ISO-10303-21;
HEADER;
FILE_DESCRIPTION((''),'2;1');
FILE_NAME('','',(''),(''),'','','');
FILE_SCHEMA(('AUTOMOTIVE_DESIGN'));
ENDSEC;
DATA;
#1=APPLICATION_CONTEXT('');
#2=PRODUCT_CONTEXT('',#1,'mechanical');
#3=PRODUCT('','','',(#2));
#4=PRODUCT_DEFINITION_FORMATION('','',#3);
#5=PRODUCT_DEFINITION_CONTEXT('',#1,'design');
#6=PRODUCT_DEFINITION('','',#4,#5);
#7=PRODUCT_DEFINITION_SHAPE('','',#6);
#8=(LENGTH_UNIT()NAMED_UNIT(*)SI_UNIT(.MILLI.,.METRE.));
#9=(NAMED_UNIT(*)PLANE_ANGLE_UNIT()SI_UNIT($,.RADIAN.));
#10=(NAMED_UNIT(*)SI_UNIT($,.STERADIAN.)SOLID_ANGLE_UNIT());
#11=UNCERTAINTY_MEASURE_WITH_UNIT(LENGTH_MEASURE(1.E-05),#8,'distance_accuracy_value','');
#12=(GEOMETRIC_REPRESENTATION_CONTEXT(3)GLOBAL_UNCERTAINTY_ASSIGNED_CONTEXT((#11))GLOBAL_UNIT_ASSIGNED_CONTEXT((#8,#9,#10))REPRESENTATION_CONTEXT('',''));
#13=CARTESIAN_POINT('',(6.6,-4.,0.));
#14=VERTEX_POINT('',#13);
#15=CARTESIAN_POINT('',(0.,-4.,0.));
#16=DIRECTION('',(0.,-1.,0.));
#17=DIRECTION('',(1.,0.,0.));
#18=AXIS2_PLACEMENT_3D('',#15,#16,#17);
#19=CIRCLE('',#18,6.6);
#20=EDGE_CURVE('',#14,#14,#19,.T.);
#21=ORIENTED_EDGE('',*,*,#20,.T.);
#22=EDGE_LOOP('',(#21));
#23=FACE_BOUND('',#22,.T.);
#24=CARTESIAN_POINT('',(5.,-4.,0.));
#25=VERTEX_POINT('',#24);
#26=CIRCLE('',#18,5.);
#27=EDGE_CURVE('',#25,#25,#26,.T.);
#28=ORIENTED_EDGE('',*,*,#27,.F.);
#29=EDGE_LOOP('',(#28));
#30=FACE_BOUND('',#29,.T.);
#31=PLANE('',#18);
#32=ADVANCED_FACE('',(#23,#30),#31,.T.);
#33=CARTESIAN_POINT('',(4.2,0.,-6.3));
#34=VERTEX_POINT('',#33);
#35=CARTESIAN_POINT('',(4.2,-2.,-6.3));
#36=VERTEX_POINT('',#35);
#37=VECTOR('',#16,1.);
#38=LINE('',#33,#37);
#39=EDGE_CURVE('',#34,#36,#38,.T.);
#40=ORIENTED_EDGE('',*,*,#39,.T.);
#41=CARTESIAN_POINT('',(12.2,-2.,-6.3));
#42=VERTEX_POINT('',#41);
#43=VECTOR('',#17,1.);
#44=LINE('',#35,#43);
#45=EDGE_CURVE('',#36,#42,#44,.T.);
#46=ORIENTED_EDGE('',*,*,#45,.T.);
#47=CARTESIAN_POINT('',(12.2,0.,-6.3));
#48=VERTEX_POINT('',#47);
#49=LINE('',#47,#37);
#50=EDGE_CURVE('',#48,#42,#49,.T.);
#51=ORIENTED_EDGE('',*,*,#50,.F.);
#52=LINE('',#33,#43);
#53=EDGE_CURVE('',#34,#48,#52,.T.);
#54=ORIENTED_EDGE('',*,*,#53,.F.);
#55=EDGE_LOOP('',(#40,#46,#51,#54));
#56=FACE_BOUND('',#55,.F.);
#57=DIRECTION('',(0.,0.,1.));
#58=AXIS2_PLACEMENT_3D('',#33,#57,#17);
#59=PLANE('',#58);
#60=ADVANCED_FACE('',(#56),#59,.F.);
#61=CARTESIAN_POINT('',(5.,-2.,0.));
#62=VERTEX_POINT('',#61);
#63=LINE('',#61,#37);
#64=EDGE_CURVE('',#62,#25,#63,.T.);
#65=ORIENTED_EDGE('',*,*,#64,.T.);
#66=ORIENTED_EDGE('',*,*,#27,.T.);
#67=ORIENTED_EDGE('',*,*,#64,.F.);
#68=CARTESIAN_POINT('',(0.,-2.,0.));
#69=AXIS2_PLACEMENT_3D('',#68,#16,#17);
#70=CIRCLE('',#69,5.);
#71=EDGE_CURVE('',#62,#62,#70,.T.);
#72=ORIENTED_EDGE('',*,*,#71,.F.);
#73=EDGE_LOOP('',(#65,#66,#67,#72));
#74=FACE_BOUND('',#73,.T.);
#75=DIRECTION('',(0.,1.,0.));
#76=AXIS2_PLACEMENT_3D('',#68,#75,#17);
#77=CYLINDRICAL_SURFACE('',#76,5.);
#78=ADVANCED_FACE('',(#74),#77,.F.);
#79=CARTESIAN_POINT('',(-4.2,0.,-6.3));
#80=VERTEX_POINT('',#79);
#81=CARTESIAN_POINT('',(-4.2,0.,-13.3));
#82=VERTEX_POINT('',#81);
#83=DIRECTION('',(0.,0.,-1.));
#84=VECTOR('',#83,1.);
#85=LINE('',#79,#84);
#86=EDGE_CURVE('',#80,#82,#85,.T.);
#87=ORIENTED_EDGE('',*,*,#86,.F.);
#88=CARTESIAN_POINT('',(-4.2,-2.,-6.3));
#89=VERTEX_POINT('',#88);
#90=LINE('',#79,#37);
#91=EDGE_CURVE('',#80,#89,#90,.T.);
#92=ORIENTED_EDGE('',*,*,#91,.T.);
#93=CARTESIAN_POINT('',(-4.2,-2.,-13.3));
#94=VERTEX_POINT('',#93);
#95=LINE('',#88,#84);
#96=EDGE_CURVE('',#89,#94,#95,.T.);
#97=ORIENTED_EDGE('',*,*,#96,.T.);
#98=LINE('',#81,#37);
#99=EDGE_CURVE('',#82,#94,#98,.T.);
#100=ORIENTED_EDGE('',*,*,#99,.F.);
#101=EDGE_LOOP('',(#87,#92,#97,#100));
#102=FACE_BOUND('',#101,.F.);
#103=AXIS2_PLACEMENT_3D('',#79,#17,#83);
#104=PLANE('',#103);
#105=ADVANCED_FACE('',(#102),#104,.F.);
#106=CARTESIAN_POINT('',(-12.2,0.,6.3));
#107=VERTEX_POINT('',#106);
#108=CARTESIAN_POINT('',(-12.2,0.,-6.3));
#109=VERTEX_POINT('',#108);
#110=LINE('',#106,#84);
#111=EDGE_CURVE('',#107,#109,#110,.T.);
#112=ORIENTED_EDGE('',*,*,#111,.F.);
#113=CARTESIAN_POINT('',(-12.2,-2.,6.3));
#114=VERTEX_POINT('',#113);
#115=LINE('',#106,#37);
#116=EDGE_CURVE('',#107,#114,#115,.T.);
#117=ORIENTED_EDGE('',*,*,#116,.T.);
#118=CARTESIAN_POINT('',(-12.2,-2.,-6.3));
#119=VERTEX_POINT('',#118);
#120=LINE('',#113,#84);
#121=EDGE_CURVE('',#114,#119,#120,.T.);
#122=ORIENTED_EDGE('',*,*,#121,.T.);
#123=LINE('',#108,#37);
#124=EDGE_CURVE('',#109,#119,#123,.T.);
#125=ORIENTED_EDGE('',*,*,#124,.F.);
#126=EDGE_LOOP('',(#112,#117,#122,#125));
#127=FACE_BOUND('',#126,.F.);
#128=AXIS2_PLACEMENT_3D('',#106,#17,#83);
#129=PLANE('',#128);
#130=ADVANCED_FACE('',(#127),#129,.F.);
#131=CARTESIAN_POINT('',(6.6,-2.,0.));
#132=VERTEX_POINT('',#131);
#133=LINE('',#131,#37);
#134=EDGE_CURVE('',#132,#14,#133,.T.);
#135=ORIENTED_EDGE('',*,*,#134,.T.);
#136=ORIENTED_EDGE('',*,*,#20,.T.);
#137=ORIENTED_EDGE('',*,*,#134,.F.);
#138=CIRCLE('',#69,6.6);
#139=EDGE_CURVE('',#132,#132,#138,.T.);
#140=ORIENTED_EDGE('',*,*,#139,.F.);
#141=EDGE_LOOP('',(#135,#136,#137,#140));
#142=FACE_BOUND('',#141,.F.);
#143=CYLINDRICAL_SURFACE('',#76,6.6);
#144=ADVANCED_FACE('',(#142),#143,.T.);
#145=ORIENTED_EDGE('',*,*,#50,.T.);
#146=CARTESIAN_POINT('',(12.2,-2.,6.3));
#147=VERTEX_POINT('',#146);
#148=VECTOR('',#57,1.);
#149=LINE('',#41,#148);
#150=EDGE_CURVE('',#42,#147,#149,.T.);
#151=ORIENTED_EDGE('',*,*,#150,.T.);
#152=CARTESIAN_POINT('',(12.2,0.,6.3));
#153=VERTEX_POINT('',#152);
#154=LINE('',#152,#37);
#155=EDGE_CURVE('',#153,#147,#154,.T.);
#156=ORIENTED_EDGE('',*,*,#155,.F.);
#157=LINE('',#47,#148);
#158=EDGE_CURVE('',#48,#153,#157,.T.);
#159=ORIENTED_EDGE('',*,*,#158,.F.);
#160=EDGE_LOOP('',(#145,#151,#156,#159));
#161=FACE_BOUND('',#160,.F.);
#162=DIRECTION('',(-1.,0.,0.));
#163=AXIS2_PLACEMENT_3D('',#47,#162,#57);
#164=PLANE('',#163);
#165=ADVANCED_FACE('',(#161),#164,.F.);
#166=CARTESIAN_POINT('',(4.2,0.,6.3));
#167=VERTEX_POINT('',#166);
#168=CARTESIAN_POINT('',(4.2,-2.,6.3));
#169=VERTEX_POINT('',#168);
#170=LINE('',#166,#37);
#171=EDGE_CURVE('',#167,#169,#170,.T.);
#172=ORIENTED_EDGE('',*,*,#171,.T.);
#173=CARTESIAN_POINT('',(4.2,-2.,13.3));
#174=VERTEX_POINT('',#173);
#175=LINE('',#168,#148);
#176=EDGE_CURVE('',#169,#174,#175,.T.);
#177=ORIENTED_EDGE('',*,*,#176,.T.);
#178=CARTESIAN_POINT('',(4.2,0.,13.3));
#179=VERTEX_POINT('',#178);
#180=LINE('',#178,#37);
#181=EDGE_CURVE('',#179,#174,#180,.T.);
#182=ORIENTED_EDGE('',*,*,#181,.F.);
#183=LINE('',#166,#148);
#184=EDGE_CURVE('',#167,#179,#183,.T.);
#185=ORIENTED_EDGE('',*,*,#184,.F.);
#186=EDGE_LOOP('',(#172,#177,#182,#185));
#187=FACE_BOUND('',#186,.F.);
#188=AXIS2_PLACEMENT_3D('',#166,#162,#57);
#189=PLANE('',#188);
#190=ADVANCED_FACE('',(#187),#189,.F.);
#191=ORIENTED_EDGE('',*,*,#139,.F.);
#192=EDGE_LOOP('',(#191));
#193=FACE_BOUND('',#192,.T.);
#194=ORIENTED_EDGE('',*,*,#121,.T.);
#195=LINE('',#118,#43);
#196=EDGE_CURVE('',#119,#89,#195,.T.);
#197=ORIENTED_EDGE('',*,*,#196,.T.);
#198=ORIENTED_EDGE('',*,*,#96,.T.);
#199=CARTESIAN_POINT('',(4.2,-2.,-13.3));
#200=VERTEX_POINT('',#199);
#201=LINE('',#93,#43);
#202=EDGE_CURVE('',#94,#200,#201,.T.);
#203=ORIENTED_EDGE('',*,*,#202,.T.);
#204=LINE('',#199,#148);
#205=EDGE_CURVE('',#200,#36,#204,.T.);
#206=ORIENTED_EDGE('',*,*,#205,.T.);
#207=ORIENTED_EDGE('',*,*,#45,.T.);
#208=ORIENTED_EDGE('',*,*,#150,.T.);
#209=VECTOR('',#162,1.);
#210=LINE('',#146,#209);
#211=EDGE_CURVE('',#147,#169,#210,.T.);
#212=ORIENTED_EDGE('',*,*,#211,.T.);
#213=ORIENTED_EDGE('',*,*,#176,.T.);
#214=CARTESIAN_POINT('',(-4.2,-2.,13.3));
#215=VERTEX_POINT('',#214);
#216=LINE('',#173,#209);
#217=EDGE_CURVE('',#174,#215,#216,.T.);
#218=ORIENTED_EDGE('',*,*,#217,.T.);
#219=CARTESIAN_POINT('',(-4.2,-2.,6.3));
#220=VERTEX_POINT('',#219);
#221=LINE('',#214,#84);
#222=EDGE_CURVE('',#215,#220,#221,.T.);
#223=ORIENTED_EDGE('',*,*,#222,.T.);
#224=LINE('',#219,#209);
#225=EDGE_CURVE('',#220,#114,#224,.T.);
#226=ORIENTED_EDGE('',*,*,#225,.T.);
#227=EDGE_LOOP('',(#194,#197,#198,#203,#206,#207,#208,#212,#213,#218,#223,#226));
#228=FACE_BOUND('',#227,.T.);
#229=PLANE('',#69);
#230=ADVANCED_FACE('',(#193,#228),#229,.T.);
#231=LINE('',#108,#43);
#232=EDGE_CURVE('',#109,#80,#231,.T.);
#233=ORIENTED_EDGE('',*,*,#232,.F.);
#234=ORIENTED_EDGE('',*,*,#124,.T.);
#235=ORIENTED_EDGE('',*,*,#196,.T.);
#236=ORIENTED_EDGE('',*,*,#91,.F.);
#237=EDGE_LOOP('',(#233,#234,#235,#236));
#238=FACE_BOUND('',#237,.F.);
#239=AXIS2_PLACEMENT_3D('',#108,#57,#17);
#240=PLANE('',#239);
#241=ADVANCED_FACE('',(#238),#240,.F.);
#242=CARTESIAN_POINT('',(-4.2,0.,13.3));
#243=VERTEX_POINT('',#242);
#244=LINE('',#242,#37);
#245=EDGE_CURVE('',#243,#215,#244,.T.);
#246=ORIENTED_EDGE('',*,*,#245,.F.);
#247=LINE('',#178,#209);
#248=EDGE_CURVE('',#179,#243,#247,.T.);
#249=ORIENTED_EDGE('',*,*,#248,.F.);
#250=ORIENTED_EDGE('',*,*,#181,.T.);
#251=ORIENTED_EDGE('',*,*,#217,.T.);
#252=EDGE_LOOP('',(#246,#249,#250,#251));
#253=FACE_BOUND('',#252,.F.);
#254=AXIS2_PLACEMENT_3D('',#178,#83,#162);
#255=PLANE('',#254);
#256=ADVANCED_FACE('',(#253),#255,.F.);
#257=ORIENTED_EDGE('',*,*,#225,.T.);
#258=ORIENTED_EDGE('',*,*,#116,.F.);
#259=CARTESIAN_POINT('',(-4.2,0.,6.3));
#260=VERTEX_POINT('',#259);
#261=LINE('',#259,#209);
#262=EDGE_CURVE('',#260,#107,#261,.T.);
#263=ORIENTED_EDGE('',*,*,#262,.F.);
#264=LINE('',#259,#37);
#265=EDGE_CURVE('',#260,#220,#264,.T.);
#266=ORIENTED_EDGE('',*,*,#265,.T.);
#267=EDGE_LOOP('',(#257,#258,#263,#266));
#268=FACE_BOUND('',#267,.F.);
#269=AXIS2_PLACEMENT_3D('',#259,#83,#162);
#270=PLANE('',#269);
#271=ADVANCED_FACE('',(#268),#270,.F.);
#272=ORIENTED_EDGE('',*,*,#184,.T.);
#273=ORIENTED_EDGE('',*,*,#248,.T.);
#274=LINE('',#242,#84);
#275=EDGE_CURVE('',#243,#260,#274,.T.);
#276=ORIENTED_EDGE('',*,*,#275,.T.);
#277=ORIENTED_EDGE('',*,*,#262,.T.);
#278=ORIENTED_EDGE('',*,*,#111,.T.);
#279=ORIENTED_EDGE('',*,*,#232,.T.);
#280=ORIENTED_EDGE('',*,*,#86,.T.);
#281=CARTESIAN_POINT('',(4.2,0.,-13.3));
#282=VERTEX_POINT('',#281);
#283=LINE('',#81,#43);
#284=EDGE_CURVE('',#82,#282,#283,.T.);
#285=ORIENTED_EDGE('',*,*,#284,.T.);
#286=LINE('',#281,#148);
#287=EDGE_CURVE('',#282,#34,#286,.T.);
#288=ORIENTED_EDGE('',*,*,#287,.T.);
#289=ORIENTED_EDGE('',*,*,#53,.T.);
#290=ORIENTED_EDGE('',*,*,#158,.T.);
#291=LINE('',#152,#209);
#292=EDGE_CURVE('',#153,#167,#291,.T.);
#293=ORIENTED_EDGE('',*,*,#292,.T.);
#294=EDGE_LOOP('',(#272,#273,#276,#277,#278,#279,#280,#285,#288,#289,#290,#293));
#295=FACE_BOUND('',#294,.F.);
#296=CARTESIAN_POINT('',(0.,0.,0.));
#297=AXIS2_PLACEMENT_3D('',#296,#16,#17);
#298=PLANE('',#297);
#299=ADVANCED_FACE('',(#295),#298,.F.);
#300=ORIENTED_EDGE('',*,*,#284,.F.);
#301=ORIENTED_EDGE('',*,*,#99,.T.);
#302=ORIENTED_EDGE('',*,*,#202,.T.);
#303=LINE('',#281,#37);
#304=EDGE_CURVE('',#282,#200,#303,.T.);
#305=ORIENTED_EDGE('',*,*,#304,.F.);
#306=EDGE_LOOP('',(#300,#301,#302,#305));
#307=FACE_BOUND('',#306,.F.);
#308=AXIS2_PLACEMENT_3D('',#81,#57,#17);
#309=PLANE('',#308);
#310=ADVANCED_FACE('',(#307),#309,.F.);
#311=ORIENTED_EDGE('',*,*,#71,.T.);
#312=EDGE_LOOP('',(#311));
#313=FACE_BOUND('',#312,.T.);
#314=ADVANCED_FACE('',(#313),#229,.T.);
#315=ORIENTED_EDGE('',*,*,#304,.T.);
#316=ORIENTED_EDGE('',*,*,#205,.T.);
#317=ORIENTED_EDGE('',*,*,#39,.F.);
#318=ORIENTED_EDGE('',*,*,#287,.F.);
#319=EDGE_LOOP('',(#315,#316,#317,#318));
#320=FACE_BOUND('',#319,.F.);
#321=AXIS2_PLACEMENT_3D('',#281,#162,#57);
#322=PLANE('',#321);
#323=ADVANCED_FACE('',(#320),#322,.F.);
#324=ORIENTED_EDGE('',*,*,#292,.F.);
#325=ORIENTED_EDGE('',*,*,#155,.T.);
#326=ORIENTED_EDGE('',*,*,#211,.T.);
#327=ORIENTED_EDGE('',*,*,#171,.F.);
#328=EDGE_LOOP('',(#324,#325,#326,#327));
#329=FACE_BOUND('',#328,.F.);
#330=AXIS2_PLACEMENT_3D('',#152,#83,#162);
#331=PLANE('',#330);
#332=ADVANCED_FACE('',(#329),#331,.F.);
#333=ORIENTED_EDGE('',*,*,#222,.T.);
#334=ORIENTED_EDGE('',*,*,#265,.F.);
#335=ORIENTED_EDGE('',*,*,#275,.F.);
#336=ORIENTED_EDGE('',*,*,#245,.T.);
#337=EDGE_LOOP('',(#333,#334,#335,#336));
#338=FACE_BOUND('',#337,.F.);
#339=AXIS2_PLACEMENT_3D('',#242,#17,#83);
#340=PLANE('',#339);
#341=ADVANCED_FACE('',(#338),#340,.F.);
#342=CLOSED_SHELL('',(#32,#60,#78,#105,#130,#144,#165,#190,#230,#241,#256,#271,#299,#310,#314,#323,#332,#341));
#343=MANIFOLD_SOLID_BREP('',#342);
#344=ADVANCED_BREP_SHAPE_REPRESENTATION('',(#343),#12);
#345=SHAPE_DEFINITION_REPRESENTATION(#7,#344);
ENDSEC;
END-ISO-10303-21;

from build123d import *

# Parameters (mm, degrees)
F1_DEPTH = 2
F2_R     = 6.6
F2_R_2   = 5
F3_DEPTH = 2


with BuildPart() as f1:
    # F0 (on Front) → F1 (new body)
    with BuildSketch(Plane.XZ):
        Polygon((4.2, 13.3), (0, 13.3), (-4.2, 13.3), (-4.2, 6.3), (-12.2, 6.3), (-12.2, 0), (-12.2, -6.3), (-4.2, -6.3), (-4.2, -13.3), (0, -13.3), (4.2, -13.3), (4.2, -6.3), (12.2, -6.3), (12.2, 0), (12.2, 6.3), (4.2, 6.3), align=None)
    extrude(amount=F1_DEPTH)

    # F2 (on face) → F3 (join)
    with BuildSketch(Plane.XZ.offset(2)):
        Circle(F2_R)
        Circle(F2_R_2, mode=Mode.SUBTRACT)
    extrude(amount=F3_DEPTH)


solid = f1.part
